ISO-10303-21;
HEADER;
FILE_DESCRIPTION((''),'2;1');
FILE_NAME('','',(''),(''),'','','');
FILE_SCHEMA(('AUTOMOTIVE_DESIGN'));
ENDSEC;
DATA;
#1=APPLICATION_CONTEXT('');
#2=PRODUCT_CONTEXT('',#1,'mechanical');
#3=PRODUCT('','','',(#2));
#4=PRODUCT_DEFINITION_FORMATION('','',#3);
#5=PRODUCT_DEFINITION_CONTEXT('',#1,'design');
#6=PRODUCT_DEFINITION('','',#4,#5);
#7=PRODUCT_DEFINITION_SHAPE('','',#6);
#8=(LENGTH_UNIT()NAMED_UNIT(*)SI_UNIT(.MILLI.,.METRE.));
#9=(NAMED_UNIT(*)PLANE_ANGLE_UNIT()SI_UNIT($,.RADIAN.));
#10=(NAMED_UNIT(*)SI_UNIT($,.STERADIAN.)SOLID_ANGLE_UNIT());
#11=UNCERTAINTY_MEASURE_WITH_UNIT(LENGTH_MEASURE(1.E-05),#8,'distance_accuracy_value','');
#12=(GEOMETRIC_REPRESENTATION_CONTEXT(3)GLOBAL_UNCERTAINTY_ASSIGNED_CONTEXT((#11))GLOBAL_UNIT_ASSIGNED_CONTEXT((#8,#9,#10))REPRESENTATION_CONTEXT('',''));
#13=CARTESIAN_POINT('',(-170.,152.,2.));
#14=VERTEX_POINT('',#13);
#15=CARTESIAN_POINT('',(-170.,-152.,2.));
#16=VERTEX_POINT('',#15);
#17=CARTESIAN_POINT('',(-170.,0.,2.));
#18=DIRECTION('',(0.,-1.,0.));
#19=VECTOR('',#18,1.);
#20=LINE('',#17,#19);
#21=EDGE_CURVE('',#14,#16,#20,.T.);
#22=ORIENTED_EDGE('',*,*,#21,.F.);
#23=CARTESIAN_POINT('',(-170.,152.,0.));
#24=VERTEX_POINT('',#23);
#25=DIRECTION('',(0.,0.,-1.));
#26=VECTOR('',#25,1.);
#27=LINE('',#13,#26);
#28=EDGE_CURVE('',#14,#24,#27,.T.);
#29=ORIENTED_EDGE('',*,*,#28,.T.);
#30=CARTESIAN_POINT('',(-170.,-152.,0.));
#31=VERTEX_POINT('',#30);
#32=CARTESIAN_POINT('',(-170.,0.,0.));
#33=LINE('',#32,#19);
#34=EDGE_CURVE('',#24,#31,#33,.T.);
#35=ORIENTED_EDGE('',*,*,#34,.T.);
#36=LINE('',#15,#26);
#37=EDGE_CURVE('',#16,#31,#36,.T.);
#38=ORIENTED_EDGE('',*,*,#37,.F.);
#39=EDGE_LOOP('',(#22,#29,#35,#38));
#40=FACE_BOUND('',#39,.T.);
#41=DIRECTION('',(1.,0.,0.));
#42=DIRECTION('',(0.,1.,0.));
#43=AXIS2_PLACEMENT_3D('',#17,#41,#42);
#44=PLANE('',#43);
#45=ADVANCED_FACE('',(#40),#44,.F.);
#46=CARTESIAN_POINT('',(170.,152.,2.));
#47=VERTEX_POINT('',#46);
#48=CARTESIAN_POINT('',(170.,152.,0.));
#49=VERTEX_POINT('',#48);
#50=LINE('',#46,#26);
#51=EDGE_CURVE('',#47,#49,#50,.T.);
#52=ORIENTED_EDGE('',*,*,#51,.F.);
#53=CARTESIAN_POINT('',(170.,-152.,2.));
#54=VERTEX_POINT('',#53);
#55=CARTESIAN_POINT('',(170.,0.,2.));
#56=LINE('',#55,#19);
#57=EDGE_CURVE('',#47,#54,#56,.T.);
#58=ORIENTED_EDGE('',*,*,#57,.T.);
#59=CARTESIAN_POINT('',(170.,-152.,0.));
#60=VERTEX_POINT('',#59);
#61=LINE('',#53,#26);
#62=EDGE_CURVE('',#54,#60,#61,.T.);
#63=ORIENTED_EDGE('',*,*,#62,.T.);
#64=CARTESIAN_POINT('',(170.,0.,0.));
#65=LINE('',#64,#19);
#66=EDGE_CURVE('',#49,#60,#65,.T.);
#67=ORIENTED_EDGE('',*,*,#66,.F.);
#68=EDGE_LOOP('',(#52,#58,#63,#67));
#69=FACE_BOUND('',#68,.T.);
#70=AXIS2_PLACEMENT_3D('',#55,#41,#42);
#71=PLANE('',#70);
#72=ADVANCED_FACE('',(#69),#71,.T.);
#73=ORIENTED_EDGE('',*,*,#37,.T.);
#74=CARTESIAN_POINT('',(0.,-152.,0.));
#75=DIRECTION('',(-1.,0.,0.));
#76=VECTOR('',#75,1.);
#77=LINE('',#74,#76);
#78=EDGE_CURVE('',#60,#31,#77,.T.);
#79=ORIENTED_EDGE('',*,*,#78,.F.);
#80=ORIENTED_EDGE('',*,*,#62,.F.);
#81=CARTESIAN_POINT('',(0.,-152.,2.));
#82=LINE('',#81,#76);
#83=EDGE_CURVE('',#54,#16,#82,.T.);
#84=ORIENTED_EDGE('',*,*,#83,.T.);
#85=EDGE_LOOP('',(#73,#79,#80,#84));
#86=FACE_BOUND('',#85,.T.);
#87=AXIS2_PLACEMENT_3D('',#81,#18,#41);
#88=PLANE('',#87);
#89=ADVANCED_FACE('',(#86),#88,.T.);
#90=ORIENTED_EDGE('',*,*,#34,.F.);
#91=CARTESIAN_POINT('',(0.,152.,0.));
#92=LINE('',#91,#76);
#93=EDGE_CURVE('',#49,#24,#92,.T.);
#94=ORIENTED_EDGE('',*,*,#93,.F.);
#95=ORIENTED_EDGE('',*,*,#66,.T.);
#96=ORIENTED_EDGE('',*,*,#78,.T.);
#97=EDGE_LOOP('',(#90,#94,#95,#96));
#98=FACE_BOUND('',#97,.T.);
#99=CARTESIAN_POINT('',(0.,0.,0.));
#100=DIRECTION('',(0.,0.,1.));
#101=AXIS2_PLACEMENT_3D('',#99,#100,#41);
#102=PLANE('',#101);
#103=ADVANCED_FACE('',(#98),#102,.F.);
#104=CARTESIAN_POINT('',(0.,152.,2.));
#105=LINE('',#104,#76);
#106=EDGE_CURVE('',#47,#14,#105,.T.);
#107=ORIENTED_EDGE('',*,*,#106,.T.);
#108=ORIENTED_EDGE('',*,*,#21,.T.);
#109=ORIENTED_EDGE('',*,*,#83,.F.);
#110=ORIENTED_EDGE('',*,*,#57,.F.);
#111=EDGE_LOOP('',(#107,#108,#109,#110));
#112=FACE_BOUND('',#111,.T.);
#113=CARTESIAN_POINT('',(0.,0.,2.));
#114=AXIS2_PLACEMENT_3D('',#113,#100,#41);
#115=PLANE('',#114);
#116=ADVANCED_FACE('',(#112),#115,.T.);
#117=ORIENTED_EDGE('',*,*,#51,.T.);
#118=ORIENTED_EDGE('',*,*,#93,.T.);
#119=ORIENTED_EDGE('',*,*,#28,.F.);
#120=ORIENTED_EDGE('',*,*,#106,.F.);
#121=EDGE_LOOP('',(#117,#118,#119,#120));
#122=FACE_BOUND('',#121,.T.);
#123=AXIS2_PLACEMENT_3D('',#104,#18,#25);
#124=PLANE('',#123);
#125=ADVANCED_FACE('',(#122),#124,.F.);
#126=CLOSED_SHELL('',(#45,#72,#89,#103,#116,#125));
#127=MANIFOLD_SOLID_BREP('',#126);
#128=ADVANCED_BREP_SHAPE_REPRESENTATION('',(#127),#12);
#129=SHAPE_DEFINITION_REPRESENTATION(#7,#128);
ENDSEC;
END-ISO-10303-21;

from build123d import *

# Parameters (mm, degrees)
SKETCH1_3_W         = 340
SKETCH1_3_H         = 304
BOSS_EXTRUDE2_DEPTH = 2


with BuildPart() as part:
    # Sketch1<3> → Boss-Extrude2 (new body)
    with BuildSketch(Plane.XY):
        Rectangle(SKETCH1_3_W, SKETCH1_3_H)
    extrude(amount=BOSS_EXTRUDE2_DEPTH)


solid = part.part
